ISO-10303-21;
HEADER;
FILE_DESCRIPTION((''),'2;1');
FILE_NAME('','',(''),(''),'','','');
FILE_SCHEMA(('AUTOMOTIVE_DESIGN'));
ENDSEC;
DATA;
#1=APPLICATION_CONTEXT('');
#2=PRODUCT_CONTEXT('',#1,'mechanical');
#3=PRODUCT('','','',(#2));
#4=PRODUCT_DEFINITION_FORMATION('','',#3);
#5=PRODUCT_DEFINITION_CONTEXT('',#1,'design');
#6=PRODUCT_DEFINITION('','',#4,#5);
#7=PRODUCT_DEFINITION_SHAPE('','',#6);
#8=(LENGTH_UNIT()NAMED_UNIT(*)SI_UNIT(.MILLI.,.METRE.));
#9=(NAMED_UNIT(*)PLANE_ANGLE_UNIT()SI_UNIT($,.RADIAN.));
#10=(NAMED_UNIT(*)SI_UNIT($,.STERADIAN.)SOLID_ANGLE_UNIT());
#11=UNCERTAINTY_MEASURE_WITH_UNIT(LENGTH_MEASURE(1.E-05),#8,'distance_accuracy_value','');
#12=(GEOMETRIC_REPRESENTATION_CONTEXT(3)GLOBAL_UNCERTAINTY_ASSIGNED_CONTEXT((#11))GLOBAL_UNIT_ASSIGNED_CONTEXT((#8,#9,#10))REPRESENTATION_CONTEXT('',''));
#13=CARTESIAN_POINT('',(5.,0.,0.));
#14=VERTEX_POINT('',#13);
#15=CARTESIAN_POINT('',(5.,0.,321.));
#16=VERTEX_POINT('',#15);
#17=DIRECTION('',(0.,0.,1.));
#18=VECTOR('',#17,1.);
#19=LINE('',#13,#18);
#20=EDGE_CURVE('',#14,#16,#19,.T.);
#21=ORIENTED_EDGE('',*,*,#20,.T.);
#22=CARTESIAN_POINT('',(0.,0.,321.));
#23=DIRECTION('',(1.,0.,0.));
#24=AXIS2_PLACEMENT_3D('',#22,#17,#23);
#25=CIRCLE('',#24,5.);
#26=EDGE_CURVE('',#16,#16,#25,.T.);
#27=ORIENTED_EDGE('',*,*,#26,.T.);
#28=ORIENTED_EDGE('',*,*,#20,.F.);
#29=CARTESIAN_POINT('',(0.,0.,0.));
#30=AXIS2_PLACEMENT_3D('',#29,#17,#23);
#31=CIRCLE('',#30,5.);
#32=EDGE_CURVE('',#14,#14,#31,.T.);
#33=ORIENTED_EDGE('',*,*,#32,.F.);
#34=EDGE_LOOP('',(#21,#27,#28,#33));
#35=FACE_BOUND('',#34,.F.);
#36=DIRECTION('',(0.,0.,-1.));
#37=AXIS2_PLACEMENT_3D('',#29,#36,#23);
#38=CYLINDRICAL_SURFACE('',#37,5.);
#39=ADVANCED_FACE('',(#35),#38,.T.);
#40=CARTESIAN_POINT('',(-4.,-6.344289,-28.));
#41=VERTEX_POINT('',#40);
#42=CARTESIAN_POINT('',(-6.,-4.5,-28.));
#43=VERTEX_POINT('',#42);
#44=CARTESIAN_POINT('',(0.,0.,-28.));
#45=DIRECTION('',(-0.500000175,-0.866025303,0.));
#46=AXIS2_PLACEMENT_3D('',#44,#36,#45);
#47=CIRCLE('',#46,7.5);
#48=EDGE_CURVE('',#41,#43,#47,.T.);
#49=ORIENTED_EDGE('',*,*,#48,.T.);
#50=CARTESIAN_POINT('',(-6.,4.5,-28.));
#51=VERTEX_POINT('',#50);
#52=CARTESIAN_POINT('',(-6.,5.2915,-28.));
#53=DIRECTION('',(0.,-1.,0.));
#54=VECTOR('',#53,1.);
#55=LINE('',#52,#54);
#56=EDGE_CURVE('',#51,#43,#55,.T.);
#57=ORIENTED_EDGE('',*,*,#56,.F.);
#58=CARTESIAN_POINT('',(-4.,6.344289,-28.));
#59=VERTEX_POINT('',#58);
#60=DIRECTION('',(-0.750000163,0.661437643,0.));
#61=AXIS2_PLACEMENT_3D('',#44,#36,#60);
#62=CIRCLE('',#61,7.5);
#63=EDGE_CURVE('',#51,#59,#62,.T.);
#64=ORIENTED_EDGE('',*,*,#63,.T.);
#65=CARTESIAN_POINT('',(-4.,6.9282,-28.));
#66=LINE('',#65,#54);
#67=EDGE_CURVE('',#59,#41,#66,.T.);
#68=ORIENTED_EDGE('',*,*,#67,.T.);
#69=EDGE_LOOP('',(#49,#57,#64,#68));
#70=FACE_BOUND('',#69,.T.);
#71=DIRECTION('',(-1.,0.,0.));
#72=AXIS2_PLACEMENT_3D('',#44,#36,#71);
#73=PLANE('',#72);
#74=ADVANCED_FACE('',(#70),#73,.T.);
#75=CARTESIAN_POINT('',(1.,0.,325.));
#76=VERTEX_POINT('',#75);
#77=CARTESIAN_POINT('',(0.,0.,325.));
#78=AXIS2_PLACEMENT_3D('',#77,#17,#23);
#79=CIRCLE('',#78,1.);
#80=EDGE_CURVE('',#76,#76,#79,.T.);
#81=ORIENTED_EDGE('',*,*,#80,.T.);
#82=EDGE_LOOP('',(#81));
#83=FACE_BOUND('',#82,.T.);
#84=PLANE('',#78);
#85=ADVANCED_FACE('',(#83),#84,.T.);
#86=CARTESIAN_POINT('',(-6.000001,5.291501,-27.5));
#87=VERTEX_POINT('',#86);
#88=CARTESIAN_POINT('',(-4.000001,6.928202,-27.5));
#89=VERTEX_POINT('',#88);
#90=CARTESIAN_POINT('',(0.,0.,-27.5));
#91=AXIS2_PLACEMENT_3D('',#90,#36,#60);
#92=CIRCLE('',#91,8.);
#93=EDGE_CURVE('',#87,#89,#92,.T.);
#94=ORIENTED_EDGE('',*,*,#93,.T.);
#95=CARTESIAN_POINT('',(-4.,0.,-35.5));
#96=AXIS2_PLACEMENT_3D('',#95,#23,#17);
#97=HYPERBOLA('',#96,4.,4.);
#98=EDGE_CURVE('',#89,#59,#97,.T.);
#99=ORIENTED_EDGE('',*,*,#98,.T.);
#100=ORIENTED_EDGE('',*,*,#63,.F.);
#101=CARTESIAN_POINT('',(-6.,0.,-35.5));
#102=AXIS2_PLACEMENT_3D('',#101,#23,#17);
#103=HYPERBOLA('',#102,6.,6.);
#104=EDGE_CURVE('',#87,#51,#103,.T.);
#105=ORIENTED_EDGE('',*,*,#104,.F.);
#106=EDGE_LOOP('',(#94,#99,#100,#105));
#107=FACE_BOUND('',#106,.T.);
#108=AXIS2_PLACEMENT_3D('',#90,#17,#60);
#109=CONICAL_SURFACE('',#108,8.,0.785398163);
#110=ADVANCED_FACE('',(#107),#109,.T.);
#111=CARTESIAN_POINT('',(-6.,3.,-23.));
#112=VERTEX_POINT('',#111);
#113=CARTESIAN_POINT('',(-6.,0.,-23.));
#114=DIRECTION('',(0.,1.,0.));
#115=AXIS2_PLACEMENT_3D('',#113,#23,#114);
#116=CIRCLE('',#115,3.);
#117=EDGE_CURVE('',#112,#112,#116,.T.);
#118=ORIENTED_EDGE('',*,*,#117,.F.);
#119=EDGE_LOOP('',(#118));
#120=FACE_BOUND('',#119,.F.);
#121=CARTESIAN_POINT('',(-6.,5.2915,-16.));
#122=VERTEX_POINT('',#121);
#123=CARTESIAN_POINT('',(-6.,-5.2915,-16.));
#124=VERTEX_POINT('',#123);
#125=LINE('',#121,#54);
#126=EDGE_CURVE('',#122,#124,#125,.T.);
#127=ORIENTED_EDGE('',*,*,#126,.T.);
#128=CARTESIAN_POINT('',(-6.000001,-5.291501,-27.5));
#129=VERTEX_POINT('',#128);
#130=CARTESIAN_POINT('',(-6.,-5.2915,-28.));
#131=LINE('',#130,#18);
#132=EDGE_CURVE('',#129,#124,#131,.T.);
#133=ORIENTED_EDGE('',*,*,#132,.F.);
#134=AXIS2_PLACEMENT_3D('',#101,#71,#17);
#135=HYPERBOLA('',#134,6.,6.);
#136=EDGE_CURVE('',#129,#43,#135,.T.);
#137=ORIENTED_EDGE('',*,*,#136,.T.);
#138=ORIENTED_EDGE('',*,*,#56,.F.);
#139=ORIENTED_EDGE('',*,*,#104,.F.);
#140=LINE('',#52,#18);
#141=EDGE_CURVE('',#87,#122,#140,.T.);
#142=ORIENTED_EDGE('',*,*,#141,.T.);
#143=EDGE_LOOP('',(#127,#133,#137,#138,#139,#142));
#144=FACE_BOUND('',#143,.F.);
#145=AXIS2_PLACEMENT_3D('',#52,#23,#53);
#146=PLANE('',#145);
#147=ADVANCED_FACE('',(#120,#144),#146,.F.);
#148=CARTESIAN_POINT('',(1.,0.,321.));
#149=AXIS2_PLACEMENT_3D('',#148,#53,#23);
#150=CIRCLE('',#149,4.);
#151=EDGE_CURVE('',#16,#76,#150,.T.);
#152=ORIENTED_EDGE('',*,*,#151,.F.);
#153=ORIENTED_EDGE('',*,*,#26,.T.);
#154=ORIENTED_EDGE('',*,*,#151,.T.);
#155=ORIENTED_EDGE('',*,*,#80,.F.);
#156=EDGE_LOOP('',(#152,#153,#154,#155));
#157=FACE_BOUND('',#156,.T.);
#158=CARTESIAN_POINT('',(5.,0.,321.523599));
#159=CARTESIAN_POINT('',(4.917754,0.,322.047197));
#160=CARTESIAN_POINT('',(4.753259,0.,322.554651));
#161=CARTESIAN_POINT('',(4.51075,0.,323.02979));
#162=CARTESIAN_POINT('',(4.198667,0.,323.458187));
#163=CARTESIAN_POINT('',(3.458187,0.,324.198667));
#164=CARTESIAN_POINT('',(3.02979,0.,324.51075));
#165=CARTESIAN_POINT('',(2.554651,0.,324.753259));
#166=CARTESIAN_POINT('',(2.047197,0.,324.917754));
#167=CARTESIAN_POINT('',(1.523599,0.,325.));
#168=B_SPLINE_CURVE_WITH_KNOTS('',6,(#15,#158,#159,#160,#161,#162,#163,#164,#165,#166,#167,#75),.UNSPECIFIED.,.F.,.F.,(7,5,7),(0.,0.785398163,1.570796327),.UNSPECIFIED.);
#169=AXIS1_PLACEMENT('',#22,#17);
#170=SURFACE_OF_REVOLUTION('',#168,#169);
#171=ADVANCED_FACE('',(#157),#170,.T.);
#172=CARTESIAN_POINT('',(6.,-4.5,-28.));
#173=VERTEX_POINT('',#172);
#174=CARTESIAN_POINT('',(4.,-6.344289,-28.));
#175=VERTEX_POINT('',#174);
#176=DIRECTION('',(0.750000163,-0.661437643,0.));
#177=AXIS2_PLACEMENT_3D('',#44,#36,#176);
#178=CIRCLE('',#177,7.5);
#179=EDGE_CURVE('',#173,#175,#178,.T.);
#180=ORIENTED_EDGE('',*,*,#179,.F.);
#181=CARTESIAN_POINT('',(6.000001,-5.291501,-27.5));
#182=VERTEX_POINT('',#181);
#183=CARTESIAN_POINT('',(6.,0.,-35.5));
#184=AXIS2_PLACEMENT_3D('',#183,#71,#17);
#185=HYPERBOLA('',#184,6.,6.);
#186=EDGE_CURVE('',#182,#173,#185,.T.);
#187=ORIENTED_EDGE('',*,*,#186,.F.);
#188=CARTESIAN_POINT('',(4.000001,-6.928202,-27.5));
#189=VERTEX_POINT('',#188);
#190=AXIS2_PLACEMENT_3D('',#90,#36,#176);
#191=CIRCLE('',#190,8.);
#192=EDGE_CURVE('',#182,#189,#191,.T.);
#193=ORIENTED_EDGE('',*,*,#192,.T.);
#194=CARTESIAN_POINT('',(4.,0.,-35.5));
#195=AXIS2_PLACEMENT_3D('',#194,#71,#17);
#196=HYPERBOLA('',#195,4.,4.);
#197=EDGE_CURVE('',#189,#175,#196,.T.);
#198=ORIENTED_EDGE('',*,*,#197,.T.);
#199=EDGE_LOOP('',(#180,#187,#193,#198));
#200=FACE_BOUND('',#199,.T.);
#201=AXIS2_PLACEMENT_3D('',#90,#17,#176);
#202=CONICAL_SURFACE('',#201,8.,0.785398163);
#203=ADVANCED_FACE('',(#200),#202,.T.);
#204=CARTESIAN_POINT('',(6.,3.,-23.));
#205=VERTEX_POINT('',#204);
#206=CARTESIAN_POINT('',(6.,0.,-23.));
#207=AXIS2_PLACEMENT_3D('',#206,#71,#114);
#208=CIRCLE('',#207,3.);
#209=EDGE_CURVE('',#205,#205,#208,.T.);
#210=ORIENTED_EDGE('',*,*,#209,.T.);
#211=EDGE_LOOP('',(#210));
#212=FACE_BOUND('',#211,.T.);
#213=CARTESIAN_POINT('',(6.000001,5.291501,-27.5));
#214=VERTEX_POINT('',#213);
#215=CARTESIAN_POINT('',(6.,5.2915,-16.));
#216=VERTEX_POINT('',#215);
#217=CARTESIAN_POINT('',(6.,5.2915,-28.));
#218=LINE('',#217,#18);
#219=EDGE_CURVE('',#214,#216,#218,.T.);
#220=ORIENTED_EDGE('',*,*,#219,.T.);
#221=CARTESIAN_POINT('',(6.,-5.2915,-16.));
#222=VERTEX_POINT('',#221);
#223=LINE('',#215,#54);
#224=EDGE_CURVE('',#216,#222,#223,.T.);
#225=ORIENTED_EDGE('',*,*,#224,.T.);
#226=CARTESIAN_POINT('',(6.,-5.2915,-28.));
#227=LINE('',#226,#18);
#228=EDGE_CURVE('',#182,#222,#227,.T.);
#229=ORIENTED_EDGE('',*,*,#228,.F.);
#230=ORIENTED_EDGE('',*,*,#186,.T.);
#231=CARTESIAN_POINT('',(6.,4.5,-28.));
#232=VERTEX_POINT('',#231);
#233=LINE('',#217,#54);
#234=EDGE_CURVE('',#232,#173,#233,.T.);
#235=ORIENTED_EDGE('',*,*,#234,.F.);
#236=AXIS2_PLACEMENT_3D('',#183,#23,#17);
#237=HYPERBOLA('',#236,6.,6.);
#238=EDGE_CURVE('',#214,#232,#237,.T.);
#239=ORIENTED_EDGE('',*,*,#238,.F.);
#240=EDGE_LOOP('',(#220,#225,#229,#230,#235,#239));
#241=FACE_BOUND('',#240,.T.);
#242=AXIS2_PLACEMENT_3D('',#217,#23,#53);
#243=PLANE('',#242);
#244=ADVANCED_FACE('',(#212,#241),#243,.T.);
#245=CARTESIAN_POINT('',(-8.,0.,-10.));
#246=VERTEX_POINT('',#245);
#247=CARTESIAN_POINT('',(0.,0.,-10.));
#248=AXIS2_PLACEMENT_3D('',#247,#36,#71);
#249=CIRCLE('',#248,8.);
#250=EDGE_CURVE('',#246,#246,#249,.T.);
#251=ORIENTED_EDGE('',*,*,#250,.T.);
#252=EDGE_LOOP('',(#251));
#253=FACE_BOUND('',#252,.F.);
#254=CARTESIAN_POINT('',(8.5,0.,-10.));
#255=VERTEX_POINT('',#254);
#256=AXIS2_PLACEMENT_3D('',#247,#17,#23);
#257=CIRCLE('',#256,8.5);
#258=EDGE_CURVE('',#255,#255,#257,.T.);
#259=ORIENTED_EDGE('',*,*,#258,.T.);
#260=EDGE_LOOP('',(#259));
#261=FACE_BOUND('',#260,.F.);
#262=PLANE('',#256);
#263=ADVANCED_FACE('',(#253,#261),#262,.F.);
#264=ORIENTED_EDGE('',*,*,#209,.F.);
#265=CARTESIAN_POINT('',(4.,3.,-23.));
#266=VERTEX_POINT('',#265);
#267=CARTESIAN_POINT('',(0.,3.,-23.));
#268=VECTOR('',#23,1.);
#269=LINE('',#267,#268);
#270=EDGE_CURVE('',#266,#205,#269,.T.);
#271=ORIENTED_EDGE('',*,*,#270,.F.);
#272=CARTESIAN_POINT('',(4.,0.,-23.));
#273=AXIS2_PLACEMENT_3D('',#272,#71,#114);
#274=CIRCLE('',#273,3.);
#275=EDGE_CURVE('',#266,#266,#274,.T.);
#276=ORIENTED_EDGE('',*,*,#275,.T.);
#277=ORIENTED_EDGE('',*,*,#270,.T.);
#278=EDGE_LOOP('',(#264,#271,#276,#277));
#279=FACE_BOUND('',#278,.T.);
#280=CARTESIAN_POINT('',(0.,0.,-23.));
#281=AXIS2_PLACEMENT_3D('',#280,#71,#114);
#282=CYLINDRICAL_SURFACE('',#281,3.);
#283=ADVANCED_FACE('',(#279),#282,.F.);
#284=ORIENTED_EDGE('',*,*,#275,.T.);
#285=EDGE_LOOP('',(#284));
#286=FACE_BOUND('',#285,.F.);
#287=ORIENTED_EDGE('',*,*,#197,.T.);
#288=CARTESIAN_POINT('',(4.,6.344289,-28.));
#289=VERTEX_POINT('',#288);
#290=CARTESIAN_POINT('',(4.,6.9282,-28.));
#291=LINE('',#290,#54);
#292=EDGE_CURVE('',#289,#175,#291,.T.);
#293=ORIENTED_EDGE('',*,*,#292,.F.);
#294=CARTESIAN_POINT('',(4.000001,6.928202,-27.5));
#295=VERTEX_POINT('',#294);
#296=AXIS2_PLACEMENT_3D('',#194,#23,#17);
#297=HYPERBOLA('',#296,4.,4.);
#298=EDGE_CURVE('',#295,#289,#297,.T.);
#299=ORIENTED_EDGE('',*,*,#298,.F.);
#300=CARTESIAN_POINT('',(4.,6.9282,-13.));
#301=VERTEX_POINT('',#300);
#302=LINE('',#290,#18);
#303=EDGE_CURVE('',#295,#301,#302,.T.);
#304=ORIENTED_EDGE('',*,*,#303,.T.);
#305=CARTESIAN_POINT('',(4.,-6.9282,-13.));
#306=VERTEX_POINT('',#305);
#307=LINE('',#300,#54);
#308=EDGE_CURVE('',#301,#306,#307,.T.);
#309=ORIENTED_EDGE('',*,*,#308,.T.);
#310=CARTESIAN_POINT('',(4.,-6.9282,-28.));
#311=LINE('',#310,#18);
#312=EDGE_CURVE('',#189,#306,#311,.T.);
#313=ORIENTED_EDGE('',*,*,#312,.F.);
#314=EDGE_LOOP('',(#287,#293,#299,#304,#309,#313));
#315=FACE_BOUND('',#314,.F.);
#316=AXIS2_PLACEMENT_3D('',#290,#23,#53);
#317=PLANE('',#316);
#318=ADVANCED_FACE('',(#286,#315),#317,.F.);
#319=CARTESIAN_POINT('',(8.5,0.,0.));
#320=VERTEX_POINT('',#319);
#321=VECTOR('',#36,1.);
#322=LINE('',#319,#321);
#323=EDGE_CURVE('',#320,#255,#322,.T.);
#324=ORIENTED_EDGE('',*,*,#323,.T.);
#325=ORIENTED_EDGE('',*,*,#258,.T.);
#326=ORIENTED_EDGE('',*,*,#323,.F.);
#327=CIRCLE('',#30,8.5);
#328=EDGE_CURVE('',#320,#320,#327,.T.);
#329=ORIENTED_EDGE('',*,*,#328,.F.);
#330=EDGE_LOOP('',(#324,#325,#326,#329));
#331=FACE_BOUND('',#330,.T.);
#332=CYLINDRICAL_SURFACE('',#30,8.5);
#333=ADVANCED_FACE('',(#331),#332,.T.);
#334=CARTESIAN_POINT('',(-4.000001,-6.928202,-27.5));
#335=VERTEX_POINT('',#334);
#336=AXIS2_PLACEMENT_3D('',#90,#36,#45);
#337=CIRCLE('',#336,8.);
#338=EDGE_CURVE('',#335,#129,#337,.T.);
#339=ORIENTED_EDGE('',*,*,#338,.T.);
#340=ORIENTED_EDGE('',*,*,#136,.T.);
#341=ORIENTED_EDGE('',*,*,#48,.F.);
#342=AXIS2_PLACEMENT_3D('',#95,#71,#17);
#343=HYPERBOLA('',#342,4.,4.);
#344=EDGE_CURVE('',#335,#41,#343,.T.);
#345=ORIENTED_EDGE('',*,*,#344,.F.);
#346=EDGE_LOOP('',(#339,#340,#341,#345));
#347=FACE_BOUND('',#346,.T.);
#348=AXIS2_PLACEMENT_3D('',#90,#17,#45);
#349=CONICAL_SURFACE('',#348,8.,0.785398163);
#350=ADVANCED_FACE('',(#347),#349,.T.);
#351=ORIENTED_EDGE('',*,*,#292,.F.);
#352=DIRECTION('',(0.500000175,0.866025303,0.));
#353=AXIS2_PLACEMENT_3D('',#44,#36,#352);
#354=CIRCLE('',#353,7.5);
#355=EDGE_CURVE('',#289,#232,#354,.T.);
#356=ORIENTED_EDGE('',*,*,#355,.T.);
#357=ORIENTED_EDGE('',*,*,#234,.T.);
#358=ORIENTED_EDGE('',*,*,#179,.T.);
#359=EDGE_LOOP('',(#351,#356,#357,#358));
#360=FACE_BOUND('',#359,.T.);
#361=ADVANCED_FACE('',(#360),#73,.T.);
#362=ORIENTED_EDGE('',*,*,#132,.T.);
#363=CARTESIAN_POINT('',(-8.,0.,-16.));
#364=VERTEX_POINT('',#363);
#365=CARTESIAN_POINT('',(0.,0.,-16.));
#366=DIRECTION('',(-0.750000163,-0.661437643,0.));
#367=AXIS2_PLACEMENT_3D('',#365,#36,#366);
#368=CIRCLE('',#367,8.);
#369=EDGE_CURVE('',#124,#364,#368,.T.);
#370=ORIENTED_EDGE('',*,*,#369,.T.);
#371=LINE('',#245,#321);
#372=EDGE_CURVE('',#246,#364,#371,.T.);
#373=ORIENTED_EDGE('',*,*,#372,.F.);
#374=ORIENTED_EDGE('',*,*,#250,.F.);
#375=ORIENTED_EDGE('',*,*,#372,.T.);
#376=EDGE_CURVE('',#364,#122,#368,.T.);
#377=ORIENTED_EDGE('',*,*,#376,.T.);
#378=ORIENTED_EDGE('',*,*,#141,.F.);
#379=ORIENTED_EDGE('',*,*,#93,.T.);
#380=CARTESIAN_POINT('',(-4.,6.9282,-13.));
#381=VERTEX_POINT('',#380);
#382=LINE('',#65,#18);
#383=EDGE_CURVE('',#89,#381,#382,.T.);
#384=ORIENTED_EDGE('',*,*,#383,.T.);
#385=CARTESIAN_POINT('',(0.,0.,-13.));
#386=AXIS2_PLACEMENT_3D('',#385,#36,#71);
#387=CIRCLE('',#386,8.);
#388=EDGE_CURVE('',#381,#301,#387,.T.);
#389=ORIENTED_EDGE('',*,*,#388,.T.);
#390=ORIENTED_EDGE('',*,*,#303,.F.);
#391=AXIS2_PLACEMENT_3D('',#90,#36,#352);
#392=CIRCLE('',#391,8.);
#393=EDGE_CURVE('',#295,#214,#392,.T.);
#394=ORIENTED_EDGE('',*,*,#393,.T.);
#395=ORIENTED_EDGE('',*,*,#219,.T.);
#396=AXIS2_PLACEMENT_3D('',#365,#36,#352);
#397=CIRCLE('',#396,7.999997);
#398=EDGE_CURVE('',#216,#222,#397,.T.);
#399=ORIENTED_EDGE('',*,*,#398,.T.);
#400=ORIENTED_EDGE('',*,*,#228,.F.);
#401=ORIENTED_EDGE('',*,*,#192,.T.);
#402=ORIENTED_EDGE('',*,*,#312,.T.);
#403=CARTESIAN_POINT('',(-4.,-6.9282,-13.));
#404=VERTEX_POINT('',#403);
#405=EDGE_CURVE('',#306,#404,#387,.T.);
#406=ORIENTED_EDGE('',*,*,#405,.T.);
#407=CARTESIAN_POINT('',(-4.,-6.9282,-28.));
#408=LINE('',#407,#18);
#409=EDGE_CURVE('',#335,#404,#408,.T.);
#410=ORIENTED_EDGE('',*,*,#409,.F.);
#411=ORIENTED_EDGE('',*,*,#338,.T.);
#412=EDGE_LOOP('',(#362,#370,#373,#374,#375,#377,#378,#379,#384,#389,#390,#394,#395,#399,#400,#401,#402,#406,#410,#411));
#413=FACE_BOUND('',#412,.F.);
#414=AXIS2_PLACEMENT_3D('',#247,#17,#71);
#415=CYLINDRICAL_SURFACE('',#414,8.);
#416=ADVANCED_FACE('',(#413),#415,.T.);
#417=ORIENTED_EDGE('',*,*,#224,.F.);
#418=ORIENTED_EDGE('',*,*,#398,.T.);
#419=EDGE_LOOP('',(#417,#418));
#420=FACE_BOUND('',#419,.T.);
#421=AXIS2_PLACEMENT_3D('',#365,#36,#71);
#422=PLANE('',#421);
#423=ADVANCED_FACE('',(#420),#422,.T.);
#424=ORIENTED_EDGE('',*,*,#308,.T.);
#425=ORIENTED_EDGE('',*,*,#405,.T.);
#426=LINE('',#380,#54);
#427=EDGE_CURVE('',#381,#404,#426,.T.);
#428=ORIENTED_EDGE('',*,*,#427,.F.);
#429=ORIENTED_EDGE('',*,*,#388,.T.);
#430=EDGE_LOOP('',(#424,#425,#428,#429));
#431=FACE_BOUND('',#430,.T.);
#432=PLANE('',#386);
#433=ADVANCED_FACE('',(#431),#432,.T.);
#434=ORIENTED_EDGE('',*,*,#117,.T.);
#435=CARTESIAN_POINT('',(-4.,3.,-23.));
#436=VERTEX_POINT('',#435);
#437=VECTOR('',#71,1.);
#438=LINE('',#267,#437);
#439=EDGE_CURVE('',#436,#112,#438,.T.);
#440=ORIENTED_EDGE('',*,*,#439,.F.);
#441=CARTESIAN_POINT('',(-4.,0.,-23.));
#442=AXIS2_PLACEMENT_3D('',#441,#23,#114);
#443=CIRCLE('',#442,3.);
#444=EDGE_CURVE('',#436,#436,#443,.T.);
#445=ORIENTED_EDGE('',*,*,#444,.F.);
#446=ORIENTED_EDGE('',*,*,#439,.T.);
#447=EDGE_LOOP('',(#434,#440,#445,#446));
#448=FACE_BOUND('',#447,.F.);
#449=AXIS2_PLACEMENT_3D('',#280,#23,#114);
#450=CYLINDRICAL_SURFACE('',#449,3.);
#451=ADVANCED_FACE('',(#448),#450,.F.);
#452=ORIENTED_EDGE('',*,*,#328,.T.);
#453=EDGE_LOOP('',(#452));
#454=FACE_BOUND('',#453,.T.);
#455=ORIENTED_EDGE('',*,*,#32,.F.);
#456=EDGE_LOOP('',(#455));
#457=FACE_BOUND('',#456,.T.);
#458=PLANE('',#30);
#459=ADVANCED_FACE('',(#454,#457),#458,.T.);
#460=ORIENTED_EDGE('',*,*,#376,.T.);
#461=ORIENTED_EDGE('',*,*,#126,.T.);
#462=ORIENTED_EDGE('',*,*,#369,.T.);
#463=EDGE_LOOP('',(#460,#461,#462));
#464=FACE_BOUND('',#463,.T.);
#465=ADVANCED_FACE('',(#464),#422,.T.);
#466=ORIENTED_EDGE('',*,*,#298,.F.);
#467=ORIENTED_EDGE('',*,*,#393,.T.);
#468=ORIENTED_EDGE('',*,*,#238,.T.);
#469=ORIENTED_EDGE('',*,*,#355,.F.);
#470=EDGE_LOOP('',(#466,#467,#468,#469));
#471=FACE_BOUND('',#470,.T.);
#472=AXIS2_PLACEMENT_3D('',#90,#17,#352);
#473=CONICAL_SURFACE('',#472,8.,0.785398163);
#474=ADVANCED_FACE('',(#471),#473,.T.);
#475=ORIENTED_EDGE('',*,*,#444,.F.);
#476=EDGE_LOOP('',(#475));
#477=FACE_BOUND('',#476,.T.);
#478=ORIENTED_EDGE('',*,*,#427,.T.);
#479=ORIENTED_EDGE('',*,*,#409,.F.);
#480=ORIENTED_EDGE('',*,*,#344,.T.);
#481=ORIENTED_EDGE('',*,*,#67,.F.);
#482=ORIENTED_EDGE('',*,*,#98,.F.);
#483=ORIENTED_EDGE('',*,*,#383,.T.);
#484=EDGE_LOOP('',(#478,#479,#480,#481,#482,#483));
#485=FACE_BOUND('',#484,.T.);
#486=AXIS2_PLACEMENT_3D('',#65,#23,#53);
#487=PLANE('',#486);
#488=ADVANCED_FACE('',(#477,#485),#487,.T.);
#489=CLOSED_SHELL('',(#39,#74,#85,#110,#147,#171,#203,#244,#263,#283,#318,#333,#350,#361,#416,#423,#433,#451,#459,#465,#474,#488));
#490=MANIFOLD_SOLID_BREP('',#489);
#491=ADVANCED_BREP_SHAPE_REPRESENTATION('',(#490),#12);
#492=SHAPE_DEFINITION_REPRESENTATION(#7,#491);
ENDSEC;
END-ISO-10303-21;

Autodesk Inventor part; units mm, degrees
ref_plane "YZ Plane" through (0, 0, 0) normal (1, 0, 0) x (0, 1, 0)
ref_plane "XZ Plane" through (0, 0, 0) normal (0, 1, 0) x (-1, 0, 0)
ref_plane "XY Plane" through (0, 0, 0) normal (0, 0, 1) x (1, 0, 0)
sketch "Esboço1" plane through (0, 0, 0) normal (0, 0, 1) x (1, 0, 0)
  circle A0 centre (0, 0) radius 8.5
  dimension "d0" = 17
extrude "Extrusão1" add sketch "Esboço1" against normal blind 10
sketch "Esboço2" plane through (0, 0, 0) normal (0, 0, 1) x (1, 0, 0)
  circle A0 centre (0, 0) radius 8.5 projected
  circle A1 centre (0, 0) radius 5
  dimension "d3" = 10
extrude "Extrusão2" add sketch "Esboço2" along normal blind 325 contours A1
sketch "Esboço3" plane through (0, 0, -10) normal (0, 0, -1) x (-1, 0, 0)
  circle A0 centre (0, 0) radius 8.5 projected
  circle A1 centre (0, 0) radius 8
  dimension "d6" = 16
extrude "Extrusão3" add sketch "Esboço3" along normal blind 18 contours A1
sketch "Esboço4" plane through (0, 0, -28) normal (0, 0, -1) x (-1, 0, 0)
  circle A0 centre (0, 0) radius 8 projected
  circle A1 centre (0, 0) radius 8 projected
  line L0 (-4, 6.9282) -> (-4, -6.9282)
  line L1 (4, 6.9282) -> (4, -6.9282)
  arc A2 (-4, -6.9282) -> (4, -6.9282) centre (0, 0) ccw
  arc A3 (4, 6.9282) -> (-4, 6.9282) centre (0, 0) ccw
  point P0 (-4, -6.9282)
  dimension "d9" = 4
  dimension "d10" = 4
extrude "Extrusão4" cut sketch "Esboço4" against normal blind 15 contours L1 A0 L0
sketch "Esboço6" plane through (0, 0, -28) normal (0, 0, -1) x (-1, 0, 0)
  line L0 (-4, -6.9282) -> (-4, 6.9282) projected
  arc A0 (-4, 6.9282) -> (-4, -6.9282) centre (0, 0) ccw projected
  circle A1 centre (0, 0) radius 8 projected
  line L1 (-6, 5.2915) -> (-6, -5.2915)
  line L2 (6, 5.2915) -> (6, -5.2915)
  arc A2 (-6, 5.2915) -> (-6, -5.2915) centre (0, 0) ccw
  arc A3 (6, -5.2915) -> (6, 5.2915) centre (0, 0) ccw
  point P0 (6, -5.2915)
  dimension "d15" = 6
  dimension "d16" = 6
extrude "Extrusão5" cut sketch "Esboço6" against normal blind 12 contours A0 L1 | L2 A1
sketch "Esboço7" plane through (0, 0, 0) normal (1, 0, 0) x (0, 1, 0)
  circle A0 centre (0, -23) radius 3
  line L0 (-6.9282, -28) -> (6.9282, -28) projected
  point P0 (0, 0)
  dimension "d19" = 5
  dimension "d20" = 6
extrude "Extrusão6" cut sketch "Esboço7" along normal through all both and the other way through all
chamfer "Chanfro1" distance 0.5 angle 45 4 edges at (-5.0665, -6.1911, -28) (-5.0665, 6.1911, -28) (5.0665, -6.1911, -28) (5.0665, 6.1911, -28)
fillet "Arredondamento1" radius 4 1 edges at (-5, 0, 325)
